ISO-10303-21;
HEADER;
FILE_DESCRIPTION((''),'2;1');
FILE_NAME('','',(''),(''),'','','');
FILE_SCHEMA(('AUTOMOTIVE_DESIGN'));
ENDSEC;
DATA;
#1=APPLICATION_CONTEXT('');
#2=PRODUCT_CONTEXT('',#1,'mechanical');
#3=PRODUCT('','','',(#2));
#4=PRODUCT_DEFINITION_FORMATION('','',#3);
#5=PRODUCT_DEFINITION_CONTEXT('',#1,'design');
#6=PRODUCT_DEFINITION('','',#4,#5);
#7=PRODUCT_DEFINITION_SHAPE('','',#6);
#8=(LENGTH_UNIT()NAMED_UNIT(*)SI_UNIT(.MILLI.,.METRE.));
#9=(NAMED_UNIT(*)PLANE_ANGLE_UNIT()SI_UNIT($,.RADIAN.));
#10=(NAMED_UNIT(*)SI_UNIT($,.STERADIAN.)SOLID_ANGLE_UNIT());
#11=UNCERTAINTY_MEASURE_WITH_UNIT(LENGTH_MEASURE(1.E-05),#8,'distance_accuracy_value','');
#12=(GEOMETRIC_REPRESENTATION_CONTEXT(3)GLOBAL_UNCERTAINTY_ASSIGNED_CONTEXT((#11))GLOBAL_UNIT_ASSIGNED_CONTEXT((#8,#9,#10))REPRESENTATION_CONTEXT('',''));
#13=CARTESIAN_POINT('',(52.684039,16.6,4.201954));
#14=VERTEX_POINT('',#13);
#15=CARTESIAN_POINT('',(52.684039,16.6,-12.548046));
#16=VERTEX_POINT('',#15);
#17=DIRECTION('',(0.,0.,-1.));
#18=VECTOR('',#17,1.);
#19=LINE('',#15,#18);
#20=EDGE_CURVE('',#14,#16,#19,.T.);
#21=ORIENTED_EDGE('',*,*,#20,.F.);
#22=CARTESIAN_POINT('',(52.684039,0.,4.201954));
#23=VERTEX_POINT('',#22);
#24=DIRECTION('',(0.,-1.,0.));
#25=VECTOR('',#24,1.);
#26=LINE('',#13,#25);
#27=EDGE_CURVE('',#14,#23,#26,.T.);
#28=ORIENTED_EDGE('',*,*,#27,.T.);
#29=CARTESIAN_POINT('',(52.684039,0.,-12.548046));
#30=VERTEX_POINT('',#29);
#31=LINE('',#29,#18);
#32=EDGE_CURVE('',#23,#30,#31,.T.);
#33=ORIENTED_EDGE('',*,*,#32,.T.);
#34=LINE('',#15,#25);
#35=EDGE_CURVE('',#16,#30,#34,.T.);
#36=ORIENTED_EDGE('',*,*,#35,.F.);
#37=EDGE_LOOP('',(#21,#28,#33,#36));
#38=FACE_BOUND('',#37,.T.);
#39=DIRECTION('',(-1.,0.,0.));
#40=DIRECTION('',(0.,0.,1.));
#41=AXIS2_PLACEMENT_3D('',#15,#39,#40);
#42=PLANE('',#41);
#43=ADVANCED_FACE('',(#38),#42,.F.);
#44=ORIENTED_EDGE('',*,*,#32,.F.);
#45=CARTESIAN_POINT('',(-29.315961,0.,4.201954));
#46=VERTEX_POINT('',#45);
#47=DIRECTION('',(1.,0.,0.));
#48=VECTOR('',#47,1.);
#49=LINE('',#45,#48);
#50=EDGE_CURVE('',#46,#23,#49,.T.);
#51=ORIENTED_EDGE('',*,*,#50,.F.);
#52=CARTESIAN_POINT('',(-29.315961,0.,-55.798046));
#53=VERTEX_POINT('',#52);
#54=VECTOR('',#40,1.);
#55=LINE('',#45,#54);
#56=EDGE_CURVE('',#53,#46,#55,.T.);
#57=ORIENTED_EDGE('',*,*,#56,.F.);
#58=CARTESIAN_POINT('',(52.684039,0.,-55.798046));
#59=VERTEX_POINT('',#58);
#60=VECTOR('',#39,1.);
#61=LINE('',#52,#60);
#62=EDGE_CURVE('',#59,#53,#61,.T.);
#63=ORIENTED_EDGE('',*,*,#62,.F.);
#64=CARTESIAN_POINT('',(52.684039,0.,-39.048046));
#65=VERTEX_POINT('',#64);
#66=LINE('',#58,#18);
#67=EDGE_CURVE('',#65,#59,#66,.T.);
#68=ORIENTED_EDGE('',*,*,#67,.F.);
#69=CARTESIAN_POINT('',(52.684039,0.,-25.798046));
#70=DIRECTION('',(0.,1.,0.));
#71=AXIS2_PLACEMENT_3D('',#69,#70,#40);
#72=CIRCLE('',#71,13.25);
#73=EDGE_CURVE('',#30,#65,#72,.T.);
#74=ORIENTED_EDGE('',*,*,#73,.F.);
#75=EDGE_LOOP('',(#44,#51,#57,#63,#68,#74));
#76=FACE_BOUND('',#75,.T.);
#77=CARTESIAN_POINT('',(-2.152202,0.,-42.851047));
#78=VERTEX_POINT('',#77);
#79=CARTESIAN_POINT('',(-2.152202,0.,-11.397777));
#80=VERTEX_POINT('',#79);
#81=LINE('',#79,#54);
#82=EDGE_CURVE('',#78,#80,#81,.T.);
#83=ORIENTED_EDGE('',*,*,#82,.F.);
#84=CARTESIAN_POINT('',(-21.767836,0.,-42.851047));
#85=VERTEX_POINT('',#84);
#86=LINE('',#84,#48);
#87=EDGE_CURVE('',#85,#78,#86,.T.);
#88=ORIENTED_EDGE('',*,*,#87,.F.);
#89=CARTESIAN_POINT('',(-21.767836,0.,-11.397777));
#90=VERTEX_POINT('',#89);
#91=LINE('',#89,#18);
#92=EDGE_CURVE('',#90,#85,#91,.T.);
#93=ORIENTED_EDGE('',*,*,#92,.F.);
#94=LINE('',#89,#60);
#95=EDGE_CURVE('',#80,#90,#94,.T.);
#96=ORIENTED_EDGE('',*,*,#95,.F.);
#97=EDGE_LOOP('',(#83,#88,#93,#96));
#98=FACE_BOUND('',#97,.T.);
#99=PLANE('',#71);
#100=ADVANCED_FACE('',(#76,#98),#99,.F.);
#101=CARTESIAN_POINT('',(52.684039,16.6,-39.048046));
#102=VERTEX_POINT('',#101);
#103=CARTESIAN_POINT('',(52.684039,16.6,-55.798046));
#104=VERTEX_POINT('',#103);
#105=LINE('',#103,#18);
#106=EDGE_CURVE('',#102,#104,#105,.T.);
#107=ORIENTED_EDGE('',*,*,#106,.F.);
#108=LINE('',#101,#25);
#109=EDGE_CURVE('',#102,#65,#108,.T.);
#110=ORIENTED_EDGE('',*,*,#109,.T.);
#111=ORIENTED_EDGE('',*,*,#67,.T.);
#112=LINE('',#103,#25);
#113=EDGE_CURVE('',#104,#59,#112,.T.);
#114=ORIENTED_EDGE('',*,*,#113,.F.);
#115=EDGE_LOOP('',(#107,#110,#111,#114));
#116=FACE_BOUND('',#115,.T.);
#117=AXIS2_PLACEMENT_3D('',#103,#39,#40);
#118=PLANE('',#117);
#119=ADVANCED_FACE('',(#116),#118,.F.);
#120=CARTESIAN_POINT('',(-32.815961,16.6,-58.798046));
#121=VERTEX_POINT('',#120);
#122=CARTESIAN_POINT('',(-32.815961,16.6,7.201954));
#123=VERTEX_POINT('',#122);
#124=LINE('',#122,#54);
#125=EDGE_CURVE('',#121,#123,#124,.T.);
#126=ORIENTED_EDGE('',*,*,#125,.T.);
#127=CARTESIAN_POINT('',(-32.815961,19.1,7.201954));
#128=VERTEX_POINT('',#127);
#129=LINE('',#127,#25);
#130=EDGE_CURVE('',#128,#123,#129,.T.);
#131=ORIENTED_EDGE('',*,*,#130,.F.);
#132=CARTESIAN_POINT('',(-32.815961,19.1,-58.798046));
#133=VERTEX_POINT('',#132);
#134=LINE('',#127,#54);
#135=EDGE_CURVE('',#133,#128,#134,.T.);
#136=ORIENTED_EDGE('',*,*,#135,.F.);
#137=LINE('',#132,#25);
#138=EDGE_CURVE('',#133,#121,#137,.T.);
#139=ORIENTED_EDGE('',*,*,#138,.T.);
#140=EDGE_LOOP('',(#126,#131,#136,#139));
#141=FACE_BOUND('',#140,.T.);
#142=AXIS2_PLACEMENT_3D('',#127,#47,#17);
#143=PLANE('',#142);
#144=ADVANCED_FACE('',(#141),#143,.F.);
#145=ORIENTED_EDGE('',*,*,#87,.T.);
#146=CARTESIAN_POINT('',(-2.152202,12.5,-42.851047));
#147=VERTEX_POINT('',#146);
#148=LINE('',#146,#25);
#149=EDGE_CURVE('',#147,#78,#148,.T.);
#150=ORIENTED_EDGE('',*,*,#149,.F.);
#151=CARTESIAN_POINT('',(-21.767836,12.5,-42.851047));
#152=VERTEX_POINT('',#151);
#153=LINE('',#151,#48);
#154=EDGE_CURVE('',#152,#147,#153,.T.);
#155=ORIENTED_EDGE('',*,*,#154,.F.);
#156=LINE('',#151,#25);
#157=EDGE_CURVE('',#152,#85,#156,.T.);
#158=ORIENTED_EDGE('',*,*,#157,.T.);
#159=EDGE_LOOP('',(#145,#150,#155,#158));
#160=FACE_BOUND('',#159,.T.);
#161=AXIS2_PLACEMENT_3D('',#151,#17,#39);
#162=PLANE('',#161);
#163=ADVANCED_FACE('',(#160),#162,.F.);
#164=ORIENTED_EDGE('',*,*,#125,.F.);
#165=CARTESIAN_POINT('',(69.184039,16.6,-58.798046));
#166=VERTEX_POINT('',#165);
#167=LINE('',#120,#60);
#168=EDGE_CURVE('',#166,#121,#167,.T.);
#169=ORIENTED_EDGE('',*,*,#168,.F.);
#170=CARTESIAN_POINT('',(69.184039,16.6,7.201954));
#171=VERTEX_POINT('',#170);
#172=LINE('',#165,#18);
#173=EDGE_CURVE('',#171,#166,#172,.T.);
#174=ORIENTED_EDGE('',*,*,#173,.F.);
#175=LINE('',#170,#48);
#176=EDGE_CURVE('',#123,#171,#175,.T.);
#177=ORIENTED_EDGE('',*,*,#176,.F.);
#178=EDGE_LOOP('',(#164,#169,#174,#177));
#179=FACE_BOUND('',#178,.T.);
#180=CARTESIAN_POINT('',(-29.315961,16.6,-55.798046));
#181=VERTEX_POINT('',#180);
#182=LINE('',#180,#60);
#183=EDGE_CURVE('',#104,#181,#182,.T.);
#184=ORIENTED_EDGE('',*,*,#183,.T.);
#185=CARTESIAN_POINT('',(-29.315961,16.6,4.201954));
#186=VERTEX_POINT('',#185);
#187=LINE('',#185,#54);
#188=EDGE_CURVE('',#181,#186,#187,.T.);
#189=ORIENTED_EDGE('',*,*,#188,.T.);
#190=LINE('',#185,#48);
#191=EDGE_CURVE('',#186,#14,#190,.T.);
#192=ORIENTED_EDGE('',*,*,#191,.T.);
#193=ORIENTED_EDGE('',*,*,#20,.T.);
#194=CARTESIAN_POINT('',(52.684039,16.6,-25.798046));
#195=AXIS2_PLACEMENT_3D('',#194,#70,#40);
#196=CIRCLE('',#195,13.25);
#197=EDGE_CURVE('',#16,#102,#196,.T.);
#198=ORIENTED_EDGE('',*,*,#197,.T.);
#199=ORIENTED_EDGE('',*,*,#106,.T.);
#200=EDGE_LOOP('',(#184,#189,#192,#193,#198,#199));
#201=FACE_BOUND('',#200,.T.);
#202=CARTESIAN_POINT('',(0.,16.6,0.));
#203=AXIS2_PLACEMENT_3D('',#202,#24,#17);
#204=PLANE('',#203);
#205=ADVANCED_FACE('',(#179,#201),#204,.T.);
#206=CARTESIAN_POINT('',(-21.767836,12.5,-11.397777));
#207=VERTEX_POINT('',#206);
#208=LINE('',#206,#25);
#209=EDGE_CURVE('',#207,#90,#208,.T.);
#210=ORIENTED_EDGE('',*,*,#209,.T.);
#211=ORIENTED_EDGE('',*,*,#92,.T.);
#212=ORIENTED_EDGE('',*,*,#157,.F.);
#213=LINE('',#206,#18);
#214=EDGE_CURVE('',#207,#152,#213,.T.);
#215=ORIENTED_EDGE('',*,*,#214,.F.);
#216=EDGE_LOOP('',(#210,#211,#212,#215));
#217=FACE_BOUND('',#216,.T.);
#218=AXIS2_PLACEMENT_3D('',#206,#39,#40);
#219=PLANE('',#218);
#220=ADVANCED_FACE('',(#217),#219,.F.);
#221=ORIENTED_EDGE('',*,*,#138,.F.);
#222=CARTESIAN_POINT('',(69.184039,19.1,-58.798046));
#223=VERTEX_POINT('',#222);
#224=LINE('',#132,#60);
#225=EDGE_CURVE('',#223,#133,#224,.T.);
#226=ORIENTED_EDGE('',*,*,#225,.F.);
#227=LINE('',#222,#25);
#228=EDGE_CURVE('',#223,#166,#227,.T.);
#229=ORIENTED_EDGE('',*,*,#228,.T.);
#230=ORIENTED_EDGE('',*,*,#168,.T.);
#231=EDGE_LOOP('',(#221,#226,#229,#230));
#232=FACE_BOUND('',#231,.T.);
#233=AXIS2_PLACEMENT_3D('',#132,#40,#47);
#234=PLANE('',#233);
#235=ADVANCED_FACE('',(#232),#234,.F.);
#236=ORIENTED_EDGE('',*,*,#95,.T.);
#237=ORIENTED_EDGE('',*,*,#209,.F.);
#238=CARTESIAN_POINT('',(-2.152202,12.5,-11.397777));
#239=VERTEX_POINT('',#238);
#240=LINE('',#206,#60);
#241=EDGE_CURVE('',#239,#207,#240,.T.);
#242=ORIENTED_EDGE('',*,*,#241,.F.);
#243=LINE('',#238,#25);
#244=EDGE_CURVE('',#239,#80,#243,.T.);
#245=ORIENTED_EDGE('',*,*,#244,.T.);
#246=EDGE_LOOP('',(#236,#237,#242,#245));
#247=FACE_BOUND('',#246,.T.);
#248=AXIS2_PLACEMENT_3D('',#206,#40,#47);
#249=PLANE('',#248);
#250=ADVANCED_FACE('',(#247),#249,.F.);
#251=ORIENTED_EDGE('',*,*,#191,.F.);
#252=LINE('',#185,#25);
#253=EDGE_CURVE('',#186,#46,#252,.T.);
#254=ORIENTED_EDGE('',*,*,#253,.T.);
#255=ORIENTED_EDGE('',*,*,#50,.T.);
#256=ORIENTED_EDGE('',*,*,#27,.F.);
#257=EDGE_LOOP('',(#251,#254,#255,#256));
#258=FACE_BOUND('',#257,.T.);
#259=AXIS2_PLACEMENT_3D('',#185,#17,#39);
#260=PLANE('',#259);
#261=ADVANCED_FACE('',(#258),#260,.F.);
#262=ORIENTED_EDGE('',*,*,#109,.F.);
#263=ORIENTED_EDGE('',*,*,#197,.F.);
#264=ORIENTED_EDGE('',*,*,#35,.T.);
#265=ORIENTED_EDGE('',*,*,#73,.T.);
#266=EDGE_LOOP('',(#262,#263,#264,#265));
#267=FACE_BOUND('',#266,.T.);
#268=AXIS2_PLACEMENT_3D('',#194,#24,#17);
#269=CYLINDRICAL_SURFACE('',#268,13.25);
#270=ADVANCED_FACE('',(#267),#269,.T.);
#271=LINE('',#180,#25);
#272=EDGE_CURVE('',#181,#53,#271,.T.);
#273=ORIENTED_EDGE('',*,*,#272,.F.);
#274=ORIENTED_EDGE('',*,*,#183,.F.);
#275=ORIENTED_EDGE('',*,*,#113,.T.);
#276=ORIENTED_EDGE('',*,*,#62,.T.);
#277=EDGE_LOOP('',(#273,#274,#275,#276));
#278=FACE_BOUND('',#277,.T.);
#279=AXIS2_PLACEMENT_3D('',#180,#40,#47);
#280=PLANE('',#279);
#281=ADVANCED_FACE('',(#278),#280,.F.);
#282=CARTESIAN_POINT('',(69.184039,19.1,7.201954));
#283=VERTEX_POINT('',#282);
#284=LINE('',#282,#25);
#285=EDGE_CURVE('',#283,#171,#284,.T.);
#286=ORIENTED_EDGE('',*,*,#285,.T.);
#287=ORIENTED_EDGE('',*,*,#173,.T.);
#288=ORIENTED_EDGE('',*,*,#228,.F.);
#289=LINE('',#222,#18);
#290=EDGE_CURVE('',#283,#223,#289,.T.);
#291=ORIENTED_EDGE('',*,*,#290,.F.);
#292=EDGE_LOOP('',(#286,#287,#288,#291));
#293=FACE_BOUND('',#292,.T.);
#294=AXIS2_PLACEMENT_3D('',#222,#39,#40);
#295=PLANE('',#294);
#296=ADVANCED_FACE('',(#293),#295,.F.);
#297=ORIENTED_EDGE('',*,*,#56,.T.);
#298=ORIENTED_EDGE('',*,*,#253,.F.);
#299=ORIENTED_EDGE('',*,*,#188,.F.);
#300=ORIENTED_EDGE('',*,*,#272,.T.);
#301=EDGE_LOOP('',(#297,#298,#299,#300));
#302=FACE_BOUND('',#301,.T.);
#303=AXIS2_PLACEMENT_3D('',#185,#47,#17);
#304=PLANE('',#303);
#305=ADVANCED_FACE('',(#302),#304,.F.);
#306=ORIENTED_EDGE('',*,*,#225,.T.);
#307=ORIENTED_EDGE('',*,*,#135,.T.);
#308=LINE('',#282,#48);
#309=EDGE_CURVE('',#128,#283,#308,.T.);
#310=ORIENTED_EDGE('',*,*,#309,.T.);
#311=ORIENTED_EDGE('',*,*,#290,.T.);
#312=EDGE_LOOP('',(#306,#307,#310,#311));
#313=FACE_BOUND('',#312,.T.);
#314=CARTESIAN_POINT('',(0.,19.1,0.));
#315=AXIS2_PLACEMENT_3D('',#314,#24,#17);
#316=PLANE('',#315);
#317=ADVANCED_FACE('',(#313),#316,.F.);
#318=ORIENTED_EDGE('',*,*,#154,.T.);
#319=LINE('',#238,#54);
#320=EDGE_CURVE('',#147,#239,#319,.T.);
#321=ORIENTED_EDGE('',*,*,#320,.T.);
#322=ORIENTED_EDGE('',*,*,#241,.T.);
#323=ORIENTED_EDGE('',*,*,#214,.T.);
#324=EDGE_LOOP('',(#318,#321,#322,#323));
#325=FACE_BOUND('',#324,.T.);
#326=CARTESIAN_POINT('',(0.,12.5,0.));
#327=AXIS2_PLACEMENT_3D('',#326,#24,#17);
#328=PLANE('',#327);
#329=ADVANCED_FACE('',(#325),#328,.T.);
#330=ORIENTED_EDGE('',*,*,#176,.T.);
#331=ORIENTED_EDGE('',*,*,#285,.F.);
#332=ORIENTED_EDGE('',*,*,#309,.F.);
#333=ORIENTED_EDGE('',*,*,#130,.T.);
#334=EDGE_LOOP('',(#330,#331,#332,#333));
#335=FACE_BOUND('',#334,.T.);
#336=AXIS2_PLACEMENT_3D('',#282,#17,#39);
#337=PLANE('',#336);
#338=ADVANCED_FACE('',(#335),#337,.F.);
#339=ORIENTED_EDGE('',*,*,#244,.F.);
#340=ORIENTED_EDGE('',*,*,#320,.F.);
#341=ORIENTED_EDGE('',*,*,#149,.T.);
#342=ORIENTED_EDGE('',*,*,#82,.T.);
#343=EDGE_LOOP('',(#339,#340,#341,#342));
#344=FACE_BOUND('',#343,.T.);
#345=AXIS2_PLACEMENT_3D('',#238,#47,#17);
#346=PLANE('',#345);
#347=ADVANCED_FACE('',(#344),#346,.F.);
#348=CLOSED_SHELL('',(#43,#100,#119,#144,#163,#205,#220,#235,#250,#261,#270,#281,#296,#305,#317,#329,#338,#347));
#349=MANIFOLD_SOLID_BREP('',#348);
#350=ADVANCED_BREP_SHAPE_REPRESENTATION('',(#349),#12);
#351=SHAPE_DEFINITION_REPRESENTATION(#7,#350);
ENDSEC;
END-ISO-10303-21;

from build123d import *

# Parameters (mm, degrees)
DODANIE_WYCI_GNI_CIE1_DEPTH = 16.6
SZKIC2_W                    = 102
SZKIC2_H                    = 66
DODANIE_WYCI_GNI_CIE3_DEPTH = 2.5
SZKIC4_W                    = 19.615634033
SZKIC4_H                    = 31.453270058
WYTNIJ_WYCI_GNI_CIE2_DEPTH  = 12.5


with BuildPart() as part:
    # Szkic1 → Dodanie-wyciągnięcie1 (new body)
    with BuildSketch(Plane(origin=(0, 0, 0), x_dir=(1, 0, 0), z_dir=(0, 1, 0))):
        with BuildLine():
            Line((-29.315960912, -4.201954397), (52.684039088, -4.201954397))
            Line((52.684039088, -4.201954397), (52.684039088, 12.548045603))
            ThreePointArc((52.684039088, 12.548045603), (65.934039088, 25.798045603), (52.684039088, 39.048045603))
            Line((52.684039088, 39.048045603), (52.684039088, 55.798045603))
            Line((52.684039088, 55.798045603), (-29.315960912, 55.798045603))
            Line((-29.315960912, 55.798045603), (-29.315960912, -4.201954397))
        make_face()
    extrude(amount=DODANIE_WYCI_GNI_CIE1_DEPTH)

    # Szkic2 → Dodanie-wyciągnięcie3 (add)
    with BuildSketch(Plane(origin=(0, 16.6, 0), x_dir=(1, 0, 0), z_dir=(0, 1, 0))):
        with Locations((18.184039088, 25.798045603)):
            Rectangle(SZKIC2_W, SZKIC2_H)
    extrude(amount=DODANIE_WYCI_GNI_CIE3_DEPTH)

    # Szkic4 → Wytnij-wyciągnięcie2 (cut)
    with BuildSketch(Plane.XZ):
        with Locations((-11.960019209, -27.124412261)):
            Rectangle(SZKIC4_W, SZKIC4_H)
    extrude(amount=-WYTNIJ_WYCI_GNI_CIE2_DEPTH, mode=Mode.SUBTRACT)


solid = part.part
